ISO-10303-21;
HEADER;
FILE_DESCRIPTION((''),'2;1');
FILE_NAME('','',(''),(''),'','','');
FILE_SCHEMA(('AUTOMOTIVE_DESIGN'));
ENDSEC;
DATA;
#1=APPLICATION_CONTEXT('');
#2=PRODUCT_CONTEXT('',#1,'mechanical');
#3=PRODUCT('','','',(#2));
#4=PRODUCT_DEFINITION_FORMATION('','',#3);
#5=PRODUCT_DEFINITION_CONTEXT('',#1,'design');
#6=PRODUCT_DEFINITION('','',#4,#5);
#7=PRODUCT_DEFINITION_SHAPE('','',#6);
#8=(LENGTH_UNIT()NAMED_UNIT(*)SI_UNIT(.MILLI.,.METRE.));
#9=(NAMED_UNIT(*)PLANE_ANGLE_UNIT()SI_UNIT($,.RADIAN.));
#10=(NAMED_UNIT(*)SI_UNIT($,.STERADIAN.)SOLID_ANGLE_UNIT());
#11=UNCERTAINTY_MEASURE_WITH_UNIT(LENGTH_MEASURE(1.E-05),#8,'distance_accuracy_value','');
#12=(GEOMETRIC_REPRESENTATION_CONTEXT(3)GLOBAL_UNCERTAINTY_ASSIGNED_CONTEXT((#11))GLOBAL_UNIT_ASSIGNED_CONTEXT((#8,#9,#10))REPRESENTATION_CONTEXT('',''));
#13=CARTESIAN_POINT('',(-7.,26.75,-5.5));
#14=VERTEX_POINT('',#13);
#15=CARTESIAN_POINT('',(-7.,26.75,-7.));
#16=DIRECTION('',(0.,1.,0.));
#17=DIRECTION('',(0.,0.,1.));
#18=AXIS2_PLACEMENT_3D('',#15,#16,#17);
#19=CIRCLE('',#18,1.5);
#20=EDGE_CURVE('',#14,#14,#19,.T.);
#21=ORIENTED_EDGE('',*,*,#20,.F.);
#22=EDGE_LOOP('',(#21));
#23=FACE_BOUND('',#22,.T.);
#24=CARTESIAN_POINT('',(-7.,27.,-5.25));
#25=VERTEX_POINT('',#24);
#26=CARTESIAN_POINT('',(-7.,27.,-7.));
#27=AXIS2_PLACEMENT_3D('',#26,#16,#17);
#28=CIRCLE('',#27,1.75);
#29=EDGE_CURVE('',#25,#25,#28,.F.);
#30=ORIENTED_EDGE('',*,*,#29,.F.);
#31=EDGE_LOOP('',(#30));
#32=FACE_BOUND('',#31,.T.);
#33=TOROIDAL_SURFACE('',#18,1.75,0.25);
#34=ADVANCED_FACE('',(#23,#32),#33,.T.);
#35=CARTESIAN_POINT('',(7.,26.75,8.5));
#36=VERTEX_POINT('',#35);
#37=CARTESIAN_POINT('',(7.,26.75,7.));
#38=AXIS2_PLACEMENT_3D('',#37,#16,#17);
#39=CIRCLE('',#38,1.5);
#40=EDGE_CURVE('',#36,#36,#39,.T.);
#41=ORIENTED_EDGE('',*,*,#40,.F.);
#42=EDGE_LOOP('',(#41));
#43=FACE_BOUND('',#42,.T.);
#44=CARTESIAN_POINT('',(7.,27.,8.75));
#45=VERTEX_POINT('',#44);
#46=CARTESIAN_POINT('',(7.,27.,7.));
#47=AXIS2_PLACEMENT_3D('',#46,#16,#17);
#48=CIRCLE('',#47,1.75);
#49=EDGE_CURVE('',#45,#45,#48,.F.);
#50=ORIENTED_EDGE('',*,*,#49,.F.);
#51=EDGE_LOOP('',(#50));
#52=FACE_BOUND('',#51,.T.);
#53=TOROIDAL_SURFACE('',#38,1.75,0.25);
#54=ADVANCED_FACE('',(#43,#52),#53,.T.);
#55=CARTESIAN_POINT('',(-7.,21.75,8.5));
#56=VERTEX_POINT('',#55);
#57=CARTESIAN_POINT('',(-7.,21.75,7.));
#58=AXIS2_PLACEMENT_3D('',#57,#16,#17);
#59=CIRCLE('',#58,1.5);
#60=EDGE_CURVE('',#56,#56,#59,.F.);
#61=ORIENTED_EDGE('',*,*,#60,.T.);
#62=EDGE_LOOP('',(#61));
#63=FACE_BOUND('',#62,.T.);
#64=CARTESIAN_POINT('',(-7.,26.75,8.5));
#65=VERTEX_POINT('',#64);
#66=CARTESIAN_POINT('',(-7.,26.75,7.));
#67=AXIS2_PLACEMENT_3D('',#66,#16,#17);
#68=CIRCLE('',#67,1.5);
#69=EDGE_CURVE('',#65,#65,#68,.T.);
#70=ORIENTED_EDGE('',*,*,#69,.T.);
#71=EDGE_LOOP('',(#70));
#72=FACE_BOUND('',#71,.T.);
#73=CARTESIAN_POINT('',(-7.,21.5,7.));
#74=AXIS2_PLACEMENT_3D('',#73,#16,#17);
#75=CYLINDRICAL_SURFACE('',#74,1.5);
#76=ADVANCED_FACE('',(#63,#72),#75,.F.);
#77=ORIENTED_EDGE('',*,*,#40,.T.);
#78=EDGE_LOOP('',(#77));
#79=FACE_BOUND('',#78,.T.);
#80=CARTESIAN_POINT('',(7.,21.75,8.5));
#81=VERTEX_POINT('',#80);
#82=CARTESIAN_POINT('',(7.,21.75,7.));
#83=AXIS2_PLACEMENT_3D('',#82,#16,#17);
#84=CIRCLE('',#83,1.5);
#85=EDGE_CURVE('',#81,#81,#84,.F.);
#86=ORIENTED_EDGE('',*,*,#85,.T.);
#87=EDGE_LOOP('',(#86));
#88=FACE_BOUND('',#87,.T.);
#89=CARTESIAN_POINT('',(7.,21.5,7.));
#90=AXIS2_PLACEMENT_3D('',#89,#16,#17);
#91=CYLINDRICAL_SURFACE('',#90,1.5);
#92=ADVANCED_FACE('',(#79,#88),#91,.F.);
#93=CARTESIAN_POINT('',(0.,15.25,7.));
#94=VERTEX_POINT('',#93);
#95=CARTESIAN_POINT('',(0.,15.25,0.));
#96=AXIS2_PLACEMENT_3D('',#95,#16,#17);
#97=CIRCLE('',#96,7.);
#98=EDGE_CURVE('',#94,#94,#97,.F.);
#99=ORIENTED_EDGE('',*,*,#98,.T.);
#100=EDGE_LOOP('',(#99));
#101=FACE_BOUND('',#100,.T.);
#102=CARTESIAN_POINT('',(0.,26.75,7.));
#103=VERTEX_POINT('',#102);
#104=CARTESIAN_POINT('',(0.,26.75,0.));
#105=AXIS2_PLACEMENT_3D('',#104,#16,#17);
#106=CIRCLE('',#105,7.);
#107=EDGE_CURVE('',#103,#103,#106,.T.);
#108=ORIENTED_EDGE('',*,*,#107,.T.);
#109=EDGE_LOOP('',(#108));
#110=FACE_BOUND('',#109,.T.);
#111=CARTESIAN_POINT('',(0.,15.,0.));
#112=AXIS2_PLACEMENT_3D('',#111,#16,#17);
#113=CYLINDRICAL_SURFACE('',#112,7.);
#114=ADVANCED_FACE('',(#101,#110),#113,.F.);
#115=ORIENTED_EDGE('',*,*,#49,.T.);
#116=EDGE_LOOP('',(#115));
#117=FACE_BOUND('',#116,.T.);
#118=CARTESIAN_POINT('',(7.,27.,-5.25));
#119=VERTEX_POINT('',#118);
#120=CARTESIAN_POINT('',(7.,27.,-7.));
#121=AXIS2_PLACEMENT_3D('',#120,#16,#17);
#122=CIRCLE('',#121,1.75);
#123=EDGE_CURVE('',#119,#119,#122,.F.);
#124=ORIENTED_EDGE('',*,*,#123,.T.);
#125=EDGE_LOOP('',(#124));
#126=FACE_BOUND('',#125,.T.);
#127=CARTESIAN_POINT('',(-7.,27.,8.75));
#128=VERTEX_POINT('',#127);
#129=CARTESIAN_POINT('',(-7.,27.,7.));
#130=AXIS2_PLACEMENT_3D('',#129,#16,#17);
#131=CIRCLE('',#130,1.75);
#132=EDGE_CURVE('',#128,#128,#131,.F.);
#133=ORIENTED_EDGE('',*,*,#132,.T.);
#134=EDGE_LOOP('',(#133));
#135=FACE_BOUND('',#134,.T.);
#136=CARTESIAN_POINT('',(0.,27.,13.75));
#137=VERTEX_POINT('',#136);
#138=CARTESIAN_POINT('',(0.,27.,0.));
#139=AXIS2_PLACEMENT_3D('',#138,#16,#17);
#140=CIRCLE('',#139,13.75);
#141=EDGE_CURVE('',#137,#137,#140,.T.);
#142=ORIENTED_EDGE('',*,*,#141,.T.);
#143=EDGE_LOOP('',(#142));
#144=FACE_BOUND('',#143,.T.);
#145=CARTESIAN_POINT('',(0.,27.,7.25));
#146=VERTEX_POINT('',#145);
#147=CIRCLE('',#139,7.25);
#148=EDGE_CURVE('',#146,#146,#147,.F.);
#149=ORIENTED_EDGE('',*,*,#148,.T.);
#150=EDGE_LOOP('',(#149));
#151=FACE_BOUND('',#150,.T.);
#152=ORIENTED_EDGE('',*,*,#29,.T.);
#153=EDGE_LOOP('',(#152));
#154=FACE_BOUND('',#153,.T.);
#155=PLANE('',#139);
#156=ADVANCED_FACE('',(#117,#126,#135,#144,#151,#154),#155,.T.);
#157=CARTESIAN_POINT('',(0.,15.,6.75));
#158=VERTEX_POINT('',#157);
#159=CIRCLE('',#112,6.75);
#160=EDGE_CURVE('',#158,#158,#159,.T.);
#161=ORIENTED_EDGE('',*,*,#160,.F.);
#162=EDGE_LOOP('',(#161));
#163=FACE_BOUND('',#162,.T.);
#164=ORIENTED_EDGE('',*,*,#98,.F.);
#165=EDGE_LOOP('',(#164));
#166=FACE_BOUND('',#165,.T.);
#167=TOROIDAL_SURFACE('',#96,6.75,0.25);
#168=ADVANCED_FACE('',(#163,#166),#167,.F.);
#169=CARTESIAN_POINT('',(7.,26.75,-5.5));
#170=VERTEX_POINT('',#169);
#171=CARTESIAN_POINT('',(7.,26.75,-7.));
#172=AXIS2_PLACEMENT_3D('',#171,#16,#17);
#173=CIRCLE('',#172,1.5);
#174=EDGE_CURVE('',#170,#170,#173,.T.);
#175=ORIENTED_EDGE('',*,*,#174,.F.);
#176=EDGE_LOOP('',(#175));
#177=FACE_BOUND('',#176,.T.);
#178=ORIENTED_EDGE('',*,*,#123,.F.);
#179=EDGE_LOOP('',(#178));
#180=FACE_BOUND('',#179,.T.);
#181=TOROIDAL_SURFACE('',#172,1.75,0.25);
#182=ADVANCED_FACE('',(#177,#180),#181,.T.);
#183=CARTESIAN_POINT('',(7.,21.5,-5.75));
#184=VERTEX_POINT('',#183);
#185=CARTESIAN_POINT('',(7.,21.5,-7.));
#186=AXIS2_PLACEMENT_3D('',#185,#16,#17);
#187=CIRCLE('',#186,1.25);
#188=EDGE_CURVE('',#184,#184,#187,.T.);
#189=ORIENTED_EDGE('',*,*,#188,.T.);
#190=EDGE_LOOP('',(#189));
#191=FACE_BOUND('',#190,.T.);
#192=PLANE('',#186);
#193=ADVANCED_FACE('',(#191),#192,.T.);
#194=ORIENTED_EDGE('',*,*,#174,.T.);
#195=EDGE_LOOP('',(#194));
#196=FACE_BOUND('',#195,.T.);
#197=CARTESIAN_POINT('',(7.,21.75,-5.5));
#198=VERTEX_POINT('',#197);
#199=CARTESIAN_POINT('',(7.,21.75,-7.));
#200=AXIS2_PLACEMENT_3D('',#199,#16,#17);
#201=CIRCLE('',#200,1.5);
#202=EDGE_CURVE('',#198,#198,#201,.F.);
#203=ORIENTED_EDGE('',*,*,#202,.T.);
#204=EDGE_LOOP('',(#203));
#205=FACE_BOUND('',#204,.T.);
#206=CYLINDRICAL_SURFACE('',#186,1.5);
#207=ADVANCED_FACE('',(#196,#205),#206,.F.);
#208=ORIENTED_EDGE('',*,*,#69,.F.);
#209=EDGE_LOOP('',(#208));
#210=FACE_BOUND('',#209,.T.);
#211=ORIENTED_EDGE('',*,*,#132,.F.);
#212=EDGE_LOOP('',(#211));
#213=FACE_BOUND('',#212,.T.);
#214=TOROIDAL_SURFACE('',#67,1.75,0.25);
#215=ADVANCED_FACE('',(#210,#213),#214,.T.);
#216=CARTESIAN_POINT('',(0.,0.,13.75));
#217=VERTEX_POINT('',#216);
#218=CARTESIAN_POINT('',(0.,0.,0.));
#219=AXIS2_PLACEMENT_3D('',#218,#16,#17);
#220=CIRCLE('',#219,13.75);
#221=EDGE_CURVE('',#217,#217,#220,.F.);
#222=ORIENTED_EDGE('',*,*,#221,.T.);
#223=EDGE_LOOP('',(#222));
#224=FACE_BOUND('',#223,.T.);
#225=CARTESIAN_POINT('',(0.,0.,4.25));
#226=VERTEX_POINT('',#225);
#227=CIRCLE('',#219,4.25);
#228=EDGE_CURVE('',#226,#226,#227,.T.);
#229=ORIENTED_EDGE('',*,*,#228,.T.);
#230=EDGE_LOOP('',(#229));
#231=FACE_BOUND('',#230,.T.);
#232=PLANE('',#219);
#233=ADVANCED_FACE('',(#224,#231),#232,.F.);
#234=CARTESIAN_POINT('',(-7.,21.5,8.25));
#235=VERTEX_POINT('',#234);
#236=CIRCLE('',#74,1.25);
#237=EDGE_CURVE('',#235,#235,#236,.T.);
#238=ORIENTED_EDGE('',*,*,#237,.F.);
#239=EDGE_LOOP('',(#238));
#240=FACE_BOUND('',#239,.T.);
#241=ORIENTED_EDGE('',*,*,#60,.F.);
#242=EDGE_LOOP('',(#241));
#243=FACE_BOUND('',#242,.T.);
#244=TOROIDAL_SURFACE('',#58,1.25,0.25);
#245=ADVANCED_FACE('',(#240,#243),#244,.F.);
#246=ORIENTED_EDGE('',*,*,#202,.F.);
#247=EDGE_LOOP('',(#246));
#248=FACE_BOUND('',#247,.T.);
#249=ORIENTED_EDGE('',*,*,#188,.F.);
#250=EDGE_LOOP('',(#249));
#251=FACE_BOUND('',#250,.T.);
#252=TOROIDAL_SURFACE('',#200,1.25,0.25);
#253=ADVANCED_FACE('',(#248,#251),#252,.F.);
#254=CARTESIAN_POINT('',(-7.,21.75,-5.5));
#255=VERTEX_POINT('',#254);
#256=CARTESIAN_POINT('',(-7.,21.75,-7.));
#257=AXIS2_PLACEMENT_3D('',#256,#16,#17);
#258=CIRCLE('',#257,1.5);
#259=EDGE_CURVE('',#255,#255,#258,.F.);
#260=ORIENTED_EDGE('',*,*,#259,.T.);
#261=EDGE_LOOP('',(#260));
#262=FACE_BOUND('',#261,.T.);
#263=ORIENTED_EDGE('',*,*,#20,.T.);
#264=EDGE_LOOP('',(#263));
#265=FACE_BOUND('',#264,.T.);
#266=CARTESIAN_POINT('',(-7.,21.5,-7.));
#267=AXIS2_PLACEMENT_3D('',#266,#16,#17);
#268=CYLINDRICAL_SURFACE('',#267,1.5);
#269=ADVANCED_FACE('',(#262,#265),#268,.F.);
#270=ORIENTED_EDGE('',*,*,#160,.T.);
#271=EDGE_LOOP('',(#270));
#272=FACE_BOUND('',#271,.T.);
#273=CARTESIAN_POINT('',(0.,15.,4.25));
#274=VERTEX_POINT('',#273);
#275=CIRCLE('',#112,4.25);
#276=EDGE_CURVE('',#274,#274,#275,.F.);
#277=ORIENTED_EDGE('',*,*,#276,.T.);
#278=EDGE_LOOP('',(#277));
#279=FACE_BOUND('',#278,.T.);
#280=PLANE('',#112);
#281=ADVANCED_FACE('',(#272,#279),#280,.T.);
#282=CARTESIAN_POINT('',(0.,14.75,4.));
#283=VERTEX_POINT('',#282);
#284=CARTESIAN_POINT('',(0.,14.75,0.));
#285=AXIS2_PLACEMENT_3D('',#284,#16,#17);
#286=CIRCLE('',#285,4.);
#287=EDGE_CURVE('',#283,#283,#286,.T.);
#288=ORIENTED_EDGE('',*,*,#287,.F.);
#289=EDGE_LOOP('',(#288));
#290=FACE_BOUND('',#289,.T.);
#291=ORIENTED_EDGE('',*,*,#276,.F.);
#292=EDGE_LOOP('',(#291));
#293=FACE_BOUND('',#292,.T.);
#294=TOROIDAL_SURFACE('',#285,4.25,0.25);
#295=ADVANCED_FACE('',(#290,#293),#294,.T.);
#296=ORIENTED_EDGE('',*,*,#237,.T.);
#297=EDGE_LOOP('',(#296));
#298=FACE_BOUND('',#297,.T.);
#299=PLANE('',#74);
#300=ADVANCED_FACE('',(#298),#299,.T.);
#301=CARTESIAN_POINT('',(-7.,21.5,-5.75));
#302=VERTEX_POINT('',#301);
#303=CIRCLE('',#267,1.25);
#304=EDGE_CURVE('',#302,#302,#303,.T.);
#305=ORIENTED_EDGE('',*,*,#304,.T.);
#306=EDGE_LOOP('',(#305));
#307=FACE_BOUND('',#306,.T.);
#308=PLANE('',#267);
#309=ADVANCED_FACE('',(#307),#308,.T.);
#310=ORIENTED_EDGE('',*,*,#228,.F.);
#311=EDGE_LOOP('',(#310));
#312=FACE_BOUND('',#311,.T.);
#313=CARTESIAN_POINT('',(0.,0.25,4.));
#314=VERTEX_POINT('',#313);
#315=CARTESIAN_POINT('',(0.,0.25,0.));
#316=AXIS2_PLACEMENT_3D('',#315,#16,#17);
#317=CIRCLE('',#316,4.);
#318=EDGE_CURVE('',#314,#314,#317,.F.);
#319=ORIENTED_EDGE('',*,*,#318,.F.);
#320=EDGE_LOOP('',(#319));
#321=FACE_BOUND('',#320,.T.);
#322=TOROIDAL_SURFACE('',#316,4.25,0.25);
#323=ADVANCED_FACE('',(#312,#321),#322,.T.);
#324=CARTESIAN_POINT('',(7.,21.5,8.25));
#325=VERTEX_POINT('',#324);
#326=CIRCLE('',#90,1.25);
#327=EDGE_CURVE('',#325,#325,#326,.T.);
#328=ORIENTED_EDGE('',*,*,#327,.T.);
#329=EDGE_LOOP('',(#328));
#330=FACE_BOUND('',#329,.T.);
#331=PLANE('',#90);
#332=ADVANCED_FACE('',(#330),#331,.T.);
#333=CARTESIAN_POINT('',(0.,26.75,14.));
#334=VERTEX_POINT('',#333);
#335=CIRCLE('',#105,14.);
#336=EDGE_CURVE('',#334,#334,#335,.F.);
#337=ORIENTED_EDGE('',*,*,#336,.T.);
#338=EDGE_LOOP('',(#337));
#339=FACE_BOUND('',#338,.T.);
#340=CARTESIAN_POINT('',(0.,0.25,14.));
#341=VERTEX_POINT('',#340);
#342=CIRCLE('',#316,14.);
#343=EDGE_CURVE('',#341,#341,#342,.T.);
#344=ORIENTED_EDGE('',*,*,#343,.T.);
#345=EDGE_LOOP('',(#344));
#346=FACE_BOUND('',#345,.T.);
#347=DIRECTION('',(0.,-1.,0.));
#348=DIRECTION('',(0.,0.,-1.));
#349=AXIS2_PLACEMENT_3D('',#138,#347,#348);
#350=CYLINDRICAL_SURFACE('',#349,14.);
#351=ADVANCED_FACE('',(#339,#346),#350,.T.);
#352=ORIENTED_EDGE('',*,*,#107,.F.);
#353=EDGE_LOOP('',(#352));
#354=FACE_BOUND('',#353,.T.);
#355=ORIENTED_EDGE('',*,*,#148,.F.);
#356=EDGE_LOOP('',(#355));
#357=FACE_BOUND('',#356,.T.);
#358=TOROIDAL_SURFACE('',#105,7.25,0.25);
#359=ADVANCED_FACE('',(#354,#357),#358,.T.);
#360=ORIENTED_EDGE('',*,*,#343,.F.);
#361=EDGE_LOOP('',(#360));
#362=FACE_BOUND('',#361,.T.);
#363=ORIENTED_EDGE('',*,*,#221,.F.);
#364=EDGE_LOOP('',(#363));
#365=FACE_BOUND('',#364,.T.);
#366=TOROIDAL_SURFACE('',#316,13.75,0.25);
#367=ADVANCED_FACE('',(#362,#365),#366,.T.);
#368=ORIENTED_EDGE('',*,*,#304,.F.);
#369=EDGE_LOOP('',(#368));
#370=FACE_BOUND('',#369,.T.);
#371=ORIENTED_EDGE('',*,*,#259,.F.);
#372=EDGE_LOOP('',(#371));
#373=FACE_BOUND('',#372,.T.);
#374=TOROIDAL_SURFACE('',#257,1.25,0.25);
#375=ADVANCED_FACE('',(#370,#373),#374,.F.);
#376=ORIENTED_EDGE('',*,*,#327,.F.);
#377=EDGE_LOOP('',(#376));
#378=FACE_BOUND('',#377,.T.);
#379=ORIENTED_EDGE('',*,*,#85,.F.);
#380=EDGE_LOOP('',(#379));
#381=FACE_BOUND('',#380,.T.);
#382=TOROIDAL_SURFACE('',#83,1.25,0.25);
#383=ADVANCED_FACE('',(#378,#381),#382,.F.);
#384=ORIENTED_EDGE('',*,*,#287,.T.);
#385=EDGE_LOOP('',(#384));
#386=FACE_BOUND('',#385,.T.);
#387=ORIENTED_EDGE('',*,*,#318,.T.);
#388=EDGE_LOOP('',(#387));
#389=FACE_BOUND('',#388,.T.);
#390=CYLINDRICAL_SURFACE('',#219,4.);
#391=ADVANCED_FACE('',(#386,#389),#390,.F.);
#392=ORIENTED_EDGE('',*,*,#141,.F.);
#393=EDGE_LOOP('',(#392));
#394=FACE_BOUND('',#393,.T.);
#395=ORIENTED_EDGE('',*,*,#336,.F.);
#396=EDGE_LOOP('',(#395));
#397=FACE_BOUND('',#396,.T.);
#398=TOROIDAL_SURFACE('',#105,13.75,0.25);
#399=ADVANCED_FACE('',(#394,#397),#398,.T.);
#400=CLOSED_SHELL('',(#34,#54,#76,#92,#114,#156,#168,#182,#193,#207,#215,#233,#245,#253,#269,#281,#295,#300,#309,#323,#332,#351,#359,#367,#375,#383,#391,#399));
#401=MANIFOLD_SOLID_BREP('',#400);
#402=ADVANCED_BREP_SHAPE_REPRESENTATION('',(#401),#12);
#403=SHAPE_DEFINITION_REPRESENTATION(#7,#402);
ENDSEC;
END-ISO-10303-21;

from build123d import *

# Parameters (mm, degrees)
SKETCH1_R           = 14
BOSS_EXTRUDE1_DEPTH = 27
SKETCH2_R           = 4
CUT_EXTRUDE1_DEPTH  = 27
SKETCH3_R           = 7
CUT_EXTRUDE2_DEPTH  = 12
FILLET1_R           = 0.25
SKETCH4_R           = 1.5
CUT_EXTRUDE3_DEPTH  = 5.5
FILLET2_R           = 0.25


with BuildPart() as part:
    # Sketch1 → Boss-Extrude1 (new body)
    with BuildSketch(Plane(origin=(0, 0, 0), x_dir=(1, 0, 0), z_dir=(0, 1, 0))):
        with Locations(Location((0, 0, 0), (0, 0, 270))):
            Circle(SKETCH1_R)
    extrude(amount=BOSS_EXTRUDE1_DEPTH)

    # Sketch2 → Cut-Extrude1 (cut)
    with BuildSketch(Plane(origin=(0, 27, 0), x_dir=(1, 0, 0), z_dir=(0, 1, 0))):
        with Locations(Location((0, 0, 0), (0, 0, 270))):
            Circle(SKETCH2_R)
    extrude(amount=-CUT_EXTRUDE1_DEPTH, mode=Mode.SUBTRACT)

    # Sketch3 → Cut-Extrude2 (cut)
    with BuildSketch(Plane(origin=(0, 27, 0), x_dir=(1, 0, 0), z_dir=(0, 1, 0))):
        with Locations(Location((0, 0, 0), (0, 0, 270))):
            Circle(SKETCH3_R)
    extrude(amount=-CUT_EXTRUDE2_DEPTH, mode=Mode.SUBTRACT)

    # Fillet1
    fillet1_edges = [part.edges().sort_by_distance(p)[0] for p in [
        (0, 27, -7),
        (0, 15, -7),
        (0, 15, -4),
        (0, 0, -14),
        (0, 27, -14),
        (0, 0, -4),
    ]]
    fillet(fillet1_edges, radius=FILLET1_R)

    # Sketch4 → Cut-Extrude3 (cut)
    with BuildSketch(Plane(origin=(0, 27, 0), x_dir=(1, 0, 0), z_dir=(0, 1, 0))):
        with Locations(Location((-7, 7, 0), (0, 0, 270))):
            Circle(SKETCH4_R)
        with Locations(Location((7, 7, 0), (0, 0, 270))):
            Circle(SKETCH4_R)
        with Locations(Location((-7, -7, 0), (0, 0, 270))):
            Circle(SKETCH4_R)
        with Locations(Location((7, -7, 0), (0, 0, 270))):
            Circle(SKETCH4_R)
    extrude(amount=-CUT_EXTRUDE3_DEPTH, mode=Mode.SUBTRACT)

    # Fillet2
    fillet2_edges = [part.edges().sort_by_distance(p)[0] for p in [
        (7, 21.5, -8.5),
        (7, 27, -8.5),
        (-7, 21.5, 5.5),
        (-7, 27, 5.5),
        (7, 21.5, 5.5),
        (7, 27, 5.5),
        (-7, 21.5, -8.5),
        (-7, 27, -8.5),
    ]]
    fillet(fillet2_edges, radius=FILLET2_R)


solid = part.part
